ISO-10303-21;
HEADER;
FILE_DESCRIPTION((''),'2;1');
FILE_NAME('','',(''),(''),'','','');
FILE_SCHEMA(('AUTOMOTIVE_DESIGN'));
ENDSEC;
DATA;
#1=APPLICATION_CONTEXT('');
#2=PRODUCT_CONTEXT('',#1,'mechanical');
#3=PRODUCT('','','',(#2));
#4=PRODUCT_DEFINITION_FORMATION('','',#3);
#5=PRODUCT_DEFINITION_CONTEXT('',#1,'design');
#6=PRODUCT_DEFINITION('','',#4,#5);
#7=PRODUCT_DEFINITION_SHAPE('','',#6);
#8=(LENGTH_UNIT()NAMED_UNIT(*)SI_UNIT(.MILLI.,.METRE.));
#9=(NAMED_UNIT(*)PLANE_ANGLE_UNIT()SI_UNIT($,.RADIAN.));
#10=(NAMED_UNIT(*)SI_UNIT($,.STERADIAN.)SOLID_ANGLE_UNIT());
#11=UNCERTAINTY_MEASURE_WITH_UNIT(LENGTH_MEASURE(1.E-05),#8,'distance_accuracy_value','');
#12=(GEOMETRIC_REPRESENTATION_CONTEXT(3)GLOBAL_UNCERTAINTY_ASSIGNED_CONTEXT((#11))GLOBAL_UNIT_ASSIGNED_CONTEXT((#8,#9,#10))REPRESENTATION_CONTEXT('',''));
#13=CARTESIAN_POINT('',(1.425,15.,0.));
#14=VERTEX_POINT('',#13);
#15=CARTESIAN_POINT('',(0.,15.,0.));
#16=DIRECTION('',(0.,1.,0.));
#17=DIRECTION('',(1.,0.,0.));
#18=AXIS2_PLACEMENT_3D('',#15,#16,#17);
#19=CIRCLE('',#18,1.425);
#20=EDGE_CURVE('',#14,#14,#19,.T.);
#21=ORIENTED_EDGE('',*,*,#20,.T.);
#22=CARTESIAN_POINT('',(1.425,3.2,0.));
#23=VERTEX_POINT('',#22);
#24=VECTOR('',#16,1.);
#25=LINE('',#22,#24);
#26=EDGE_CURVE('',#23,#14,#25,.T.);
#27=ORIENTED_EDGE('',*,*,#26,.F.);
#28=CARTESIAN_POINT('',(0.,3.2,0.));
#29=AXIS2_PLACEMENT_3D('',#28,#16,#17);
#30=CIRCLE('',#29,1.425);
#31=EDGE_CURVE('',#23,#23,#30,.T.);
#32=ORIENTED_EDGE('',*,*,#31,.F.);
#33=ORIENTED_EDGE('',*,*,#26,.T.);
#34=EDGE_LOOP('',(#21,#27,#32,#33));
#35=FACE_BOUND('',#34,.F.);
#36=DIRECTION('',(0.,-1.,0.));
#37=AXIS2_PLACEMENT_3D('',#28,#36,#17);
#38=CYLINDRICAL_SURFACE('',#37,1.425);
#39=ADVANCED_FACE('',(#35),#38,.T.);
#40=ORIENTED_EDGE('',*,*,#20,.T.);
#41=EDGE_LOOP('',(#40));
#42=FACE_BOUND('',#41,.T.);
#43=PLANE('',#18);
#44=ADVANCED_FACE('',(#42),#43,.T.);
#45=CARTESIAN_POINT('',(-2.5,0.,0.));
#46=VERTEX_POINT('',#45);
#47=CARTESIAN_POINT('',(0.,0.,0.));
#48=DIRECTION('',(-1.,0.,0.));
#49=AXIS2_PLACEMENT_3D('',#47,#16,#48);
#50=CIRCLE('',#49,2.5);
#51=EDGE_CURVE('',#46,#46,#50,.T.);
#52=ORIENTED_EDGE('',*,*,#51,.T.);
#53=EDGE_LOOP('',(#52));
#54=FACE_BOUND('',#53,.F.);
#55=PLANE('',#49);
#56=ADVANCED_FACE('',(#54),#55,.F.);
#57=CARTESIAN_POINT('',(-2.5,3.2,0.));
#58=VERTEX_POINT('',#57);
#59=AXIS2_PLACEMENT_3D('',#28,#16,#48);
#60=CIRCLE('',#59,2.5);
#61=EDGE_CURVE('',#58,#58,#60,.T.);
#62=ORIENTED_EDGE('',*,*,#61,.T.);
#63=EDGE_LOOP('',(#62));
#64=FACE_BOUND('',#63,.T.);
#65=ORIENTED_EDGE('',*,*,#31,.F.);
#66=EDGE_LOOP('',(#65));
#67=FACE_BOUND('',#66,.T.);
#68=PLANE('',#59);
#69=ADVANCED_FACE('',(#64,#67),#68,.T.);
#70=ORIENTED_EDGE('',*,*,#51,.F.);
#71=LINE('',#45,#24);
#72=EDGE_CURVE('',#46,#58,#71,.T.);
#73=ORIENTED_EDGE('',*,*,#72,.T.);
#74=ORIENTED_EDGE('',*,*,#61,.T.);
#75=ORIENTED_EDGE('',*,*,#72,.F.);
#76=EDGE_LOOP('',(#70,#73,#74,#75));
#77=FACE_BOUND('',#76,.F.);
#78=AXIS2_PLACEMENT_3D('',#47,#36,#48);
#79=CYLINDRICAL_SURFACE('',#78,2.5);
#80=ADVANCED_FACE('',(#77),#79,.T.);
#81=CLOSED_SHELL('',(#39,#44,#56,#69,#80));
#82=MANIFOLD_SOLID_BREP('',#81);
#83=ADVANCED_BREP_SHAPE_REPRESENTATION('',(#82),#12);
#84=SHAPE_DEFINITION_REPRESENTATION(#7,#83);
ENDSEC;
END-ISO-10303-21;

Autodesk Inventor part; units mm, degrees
ref_plane "YZ Plane" through (0, 0, 0) normal (1, 0, 0) x (0, 1, 0)
ref_plane "XZ Plane" through (0, 0, 0) normal (0, 1, 0) x (-1, 0, 0)
ref_plane "XY Plane" through (0, 0, 0) normal (0, 0, 1) x (1, 0, 0)
sketch "Sketch1" plane through (0, 0, 0) normal (0, 1, 0) x (-1, 0, 0)
  circle A0 centre (0, 0) radius 2.5
  dimension "d0" = 5
extrude "Extrusion1" add sketch "Sketch1" along normal blind 3.2
sketch "Sketch2" plane through (0, 3.2, 0) normal (0, 1, 0) x (1, 0, 0)
  circle A0 centre (0, 0) radius 1.425
  dimension "d3" = 2.85
extrude "Extrusion2" add sketch "Sketch2" along normal blind 11.8
properties part number "SensorBolt-M3x11"
